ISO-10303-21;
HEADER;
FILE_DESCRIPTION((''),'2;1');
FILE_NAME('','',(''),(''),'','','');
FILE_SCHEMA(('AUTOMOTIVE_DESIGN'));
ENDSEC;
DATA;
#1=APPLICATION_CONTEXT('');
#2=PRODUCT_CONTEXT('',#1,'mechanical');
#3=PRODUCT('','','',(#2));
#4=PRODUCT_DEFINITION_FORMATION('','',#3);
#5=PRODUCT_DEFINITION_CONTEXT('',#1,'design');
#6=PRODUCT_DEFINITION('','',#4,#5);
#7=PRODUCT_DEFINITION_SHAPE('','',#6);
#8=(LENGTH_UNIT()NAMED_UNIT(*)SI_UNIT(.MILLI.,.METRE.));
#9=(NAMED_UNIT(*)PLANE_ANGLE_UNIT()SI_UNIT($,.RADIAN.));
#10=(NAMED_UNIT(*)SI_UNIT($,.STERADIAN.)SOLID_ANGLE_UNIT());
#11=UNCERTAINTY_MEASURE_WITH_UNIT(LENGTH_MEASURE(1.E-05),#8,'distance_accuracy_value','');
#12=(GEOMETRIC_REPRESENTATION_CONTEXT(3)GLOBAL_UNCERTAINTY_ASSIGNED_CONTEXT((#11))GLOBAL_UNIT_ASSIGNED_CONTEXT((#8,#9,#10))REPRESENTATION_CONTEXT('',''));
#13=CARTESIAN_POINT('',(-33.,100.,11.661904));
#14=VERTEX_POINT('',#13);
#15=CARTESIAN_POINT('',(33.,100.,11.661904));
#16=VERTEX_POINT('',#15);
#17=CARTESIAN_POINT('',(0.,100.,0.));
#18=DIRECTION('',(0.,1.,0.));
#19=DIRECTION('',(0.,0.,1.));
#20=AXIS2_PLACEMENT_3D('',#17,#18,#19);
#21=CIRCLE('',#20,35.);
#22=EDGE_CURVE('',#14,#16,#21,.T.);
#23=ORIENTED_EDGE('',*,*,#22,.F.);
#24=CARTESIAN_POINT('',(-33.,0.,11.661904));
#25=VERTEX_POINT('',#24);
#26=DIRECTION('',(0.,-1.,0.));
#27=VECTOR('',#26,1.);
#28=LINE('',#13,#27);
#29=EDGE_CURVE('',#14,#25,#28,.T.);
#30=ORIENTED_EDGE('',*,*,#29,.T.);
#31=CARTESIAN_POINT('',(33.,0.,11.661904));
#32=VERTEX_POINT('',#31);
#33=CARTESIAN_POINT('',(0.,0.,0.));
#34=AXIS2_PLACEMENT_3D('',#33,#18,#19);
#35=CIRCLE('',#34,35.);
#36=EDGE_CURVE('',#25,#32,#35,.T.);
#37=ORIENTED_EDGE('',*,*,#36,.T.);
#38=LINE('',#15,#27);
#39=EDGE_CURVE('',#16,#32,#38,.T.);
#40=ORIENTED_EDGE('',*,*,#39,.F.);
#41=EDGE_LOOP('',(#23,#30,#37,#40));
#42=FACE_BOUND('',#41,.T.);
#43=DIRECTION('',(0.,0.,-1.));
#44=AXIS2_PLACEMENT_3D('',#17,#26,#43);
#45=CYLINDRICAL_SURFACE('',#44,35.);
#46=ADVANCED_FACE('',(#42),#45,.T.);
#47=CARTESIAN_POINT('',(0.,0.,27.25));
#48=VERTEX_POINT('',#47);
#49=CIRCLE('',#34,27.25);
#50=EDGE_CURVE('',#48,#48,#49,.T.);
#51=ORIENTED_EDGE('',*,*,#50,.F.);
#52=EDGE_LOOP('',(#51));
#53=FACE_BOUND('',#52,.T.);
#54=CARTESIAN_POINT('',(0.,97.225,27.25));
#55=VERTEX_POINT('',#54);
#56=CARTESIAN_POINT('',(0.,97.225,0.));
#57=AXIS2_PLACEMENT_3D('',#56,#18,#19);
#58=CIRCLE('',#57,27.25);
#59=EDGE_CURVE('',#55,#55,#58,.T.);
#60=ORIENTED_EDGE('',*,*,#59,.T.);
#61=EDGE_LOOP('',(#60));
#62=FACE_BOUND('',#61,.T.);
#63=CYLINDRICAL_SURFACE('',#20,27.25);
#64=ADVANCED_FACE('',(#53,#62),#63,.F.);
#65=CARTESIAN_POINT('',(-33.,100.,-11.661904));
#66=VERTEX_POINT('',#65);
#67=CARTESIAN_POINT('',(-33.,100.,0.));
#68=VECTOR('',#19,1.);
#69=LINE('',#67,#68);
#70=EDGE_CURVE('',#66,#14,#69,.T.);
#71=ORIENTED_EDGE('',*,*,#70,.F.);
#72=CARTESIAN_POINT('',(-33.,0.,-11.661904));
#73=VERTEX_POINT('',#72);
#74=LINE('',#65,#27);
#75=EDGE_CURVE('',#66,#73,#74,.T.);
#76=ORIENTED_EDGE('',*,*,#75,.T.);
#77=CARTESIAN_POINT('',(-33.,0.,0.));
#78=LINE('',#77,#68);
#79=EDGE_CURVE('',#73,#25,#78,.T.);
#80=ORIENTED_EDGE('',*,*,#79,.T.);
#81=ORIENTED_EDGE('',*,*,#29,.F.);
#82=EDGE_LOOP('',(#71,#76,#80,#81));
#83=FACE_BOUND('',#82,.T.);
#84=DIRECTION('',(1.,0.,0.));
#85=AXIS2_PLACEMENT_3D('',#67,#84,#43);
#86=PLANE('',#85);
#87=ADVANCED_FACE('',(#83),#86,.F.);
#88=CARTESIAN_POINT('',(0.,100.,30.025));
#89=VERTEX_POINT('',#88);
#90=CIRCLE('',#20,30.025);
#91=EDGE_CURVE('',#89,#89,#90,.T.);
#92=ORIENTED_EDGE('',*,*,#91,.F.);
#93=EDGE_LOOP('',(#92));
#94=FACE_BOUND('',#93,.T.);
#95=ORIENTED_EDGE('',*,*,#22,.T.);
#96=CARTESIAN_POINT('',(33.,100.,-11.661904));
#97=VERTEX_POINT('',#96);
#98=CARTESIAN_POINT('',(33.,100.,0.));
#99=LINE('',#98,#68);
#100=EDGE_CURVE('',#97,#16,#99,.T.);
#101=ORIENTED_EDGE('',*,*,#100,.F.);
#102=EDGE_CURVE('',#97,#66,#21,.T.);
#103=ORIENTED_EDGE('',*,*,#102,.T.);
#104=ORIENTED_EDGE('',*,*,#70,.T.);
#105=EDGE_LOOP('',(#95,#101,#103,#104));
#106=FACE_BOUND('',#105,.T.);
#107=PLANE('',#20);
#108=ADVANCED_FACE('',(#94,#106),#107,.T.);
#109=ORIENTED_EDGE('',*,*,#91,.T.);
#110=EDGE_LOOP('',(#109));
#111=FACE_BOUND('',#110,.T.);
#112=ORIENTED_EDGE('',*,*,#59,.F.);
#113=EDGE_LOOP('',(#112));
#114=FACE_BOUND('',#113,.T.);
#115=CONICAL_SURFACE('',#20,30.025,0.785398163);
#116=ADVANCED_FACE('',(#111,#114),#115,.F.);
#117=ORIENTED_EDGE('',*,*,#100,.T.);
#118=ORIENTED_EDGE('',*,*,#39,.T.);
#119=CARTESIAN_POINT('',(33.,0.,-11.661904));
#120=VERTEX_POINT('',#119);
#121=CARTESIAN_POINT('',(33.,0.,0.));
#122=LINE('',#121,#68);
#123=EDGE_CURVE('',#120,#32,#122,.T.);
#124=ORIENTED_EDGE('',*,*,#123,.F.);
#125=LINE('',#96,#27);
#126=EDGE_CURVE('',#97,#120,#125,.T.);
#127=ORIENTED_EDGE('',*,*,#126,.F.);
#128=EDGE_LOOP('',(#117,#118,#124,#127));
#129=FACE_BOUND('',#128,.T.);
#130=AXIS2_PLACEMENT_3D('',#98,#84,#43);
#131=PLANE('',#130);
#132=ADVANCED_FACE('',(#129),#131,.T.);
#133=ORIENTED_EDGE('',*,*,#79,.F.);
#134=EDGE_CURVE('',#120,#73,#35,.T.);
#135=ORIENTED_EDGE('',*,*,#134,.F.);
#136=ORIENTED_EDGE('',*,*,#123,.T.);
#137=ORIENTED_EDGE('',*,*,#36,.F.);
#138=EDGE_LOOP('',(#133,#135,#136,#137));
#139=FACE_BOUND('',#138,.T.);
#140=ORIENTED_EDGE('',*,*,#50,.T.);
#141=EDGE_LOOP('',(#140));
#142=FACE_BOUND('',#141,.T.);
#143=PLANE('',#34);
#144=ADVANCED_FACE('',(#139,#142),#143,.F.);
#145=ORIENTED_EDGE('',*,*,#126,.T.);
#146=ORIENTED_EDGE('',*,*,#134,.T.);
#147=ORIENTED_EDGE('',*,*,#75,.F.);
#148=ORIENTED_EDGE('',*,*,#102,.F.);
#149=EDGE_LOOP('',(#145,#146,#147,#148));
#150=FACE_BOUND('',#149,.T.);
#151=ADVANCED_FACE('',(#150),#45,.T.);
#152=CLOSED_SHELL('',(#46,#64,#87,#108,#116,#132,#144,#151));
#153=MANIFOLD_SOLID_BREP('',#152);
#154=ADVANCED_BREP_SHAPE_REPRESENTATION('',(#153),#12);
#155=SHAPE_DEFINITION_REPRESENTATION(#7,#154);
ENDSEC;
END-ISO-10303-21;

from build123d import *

# Parameters (mm, degrees)
EXTRUDE_2_DEPTH               = 100
HOLE_WIZARD_M60_2_D           = 54.5
HOLE_WIZARD_M60_2_CSINK_D     = 60.05
HOLE_WIZARD_M60_2_CSINK_ANGLE = 90


with BuildPart() as part:
    # 草图1 → 凸台-拉伸2 (new body)
    with BuildSketch(Plane(origin=(0, 0, 0), x_dir=(1, 0, 0), z_dir=(0, 1, 0))):
        with BuildLine():
            ThreePointArc((33, 11.66190379), (0, 35), (-33, 11.66190379))
            Line((-33, 11.66190379), (-33, -11.66190379))
            ThreePointArc((-33, -11.66190379), (0, -35), (33, -11.66190379))
            Line((33, -11.66190379), (33, 11.66190379))
        make_face()
    extrude(amount=EXTRUDE_2_DEPTH)

    # M60 螺纹孔2 (through all)
    with Locations(Plane.ZX.offset(100)):
        with Locations((0, 0)):
            CounterSinkHole(HOLE_WIZARD_M60_2_D / 2, HOLE_WIZARD_M60_2_CSINK_D / 2, counter_sink_angle=HOLE_WIZARD_M60_2_CSINK_ANGLE)


solid = part.part
